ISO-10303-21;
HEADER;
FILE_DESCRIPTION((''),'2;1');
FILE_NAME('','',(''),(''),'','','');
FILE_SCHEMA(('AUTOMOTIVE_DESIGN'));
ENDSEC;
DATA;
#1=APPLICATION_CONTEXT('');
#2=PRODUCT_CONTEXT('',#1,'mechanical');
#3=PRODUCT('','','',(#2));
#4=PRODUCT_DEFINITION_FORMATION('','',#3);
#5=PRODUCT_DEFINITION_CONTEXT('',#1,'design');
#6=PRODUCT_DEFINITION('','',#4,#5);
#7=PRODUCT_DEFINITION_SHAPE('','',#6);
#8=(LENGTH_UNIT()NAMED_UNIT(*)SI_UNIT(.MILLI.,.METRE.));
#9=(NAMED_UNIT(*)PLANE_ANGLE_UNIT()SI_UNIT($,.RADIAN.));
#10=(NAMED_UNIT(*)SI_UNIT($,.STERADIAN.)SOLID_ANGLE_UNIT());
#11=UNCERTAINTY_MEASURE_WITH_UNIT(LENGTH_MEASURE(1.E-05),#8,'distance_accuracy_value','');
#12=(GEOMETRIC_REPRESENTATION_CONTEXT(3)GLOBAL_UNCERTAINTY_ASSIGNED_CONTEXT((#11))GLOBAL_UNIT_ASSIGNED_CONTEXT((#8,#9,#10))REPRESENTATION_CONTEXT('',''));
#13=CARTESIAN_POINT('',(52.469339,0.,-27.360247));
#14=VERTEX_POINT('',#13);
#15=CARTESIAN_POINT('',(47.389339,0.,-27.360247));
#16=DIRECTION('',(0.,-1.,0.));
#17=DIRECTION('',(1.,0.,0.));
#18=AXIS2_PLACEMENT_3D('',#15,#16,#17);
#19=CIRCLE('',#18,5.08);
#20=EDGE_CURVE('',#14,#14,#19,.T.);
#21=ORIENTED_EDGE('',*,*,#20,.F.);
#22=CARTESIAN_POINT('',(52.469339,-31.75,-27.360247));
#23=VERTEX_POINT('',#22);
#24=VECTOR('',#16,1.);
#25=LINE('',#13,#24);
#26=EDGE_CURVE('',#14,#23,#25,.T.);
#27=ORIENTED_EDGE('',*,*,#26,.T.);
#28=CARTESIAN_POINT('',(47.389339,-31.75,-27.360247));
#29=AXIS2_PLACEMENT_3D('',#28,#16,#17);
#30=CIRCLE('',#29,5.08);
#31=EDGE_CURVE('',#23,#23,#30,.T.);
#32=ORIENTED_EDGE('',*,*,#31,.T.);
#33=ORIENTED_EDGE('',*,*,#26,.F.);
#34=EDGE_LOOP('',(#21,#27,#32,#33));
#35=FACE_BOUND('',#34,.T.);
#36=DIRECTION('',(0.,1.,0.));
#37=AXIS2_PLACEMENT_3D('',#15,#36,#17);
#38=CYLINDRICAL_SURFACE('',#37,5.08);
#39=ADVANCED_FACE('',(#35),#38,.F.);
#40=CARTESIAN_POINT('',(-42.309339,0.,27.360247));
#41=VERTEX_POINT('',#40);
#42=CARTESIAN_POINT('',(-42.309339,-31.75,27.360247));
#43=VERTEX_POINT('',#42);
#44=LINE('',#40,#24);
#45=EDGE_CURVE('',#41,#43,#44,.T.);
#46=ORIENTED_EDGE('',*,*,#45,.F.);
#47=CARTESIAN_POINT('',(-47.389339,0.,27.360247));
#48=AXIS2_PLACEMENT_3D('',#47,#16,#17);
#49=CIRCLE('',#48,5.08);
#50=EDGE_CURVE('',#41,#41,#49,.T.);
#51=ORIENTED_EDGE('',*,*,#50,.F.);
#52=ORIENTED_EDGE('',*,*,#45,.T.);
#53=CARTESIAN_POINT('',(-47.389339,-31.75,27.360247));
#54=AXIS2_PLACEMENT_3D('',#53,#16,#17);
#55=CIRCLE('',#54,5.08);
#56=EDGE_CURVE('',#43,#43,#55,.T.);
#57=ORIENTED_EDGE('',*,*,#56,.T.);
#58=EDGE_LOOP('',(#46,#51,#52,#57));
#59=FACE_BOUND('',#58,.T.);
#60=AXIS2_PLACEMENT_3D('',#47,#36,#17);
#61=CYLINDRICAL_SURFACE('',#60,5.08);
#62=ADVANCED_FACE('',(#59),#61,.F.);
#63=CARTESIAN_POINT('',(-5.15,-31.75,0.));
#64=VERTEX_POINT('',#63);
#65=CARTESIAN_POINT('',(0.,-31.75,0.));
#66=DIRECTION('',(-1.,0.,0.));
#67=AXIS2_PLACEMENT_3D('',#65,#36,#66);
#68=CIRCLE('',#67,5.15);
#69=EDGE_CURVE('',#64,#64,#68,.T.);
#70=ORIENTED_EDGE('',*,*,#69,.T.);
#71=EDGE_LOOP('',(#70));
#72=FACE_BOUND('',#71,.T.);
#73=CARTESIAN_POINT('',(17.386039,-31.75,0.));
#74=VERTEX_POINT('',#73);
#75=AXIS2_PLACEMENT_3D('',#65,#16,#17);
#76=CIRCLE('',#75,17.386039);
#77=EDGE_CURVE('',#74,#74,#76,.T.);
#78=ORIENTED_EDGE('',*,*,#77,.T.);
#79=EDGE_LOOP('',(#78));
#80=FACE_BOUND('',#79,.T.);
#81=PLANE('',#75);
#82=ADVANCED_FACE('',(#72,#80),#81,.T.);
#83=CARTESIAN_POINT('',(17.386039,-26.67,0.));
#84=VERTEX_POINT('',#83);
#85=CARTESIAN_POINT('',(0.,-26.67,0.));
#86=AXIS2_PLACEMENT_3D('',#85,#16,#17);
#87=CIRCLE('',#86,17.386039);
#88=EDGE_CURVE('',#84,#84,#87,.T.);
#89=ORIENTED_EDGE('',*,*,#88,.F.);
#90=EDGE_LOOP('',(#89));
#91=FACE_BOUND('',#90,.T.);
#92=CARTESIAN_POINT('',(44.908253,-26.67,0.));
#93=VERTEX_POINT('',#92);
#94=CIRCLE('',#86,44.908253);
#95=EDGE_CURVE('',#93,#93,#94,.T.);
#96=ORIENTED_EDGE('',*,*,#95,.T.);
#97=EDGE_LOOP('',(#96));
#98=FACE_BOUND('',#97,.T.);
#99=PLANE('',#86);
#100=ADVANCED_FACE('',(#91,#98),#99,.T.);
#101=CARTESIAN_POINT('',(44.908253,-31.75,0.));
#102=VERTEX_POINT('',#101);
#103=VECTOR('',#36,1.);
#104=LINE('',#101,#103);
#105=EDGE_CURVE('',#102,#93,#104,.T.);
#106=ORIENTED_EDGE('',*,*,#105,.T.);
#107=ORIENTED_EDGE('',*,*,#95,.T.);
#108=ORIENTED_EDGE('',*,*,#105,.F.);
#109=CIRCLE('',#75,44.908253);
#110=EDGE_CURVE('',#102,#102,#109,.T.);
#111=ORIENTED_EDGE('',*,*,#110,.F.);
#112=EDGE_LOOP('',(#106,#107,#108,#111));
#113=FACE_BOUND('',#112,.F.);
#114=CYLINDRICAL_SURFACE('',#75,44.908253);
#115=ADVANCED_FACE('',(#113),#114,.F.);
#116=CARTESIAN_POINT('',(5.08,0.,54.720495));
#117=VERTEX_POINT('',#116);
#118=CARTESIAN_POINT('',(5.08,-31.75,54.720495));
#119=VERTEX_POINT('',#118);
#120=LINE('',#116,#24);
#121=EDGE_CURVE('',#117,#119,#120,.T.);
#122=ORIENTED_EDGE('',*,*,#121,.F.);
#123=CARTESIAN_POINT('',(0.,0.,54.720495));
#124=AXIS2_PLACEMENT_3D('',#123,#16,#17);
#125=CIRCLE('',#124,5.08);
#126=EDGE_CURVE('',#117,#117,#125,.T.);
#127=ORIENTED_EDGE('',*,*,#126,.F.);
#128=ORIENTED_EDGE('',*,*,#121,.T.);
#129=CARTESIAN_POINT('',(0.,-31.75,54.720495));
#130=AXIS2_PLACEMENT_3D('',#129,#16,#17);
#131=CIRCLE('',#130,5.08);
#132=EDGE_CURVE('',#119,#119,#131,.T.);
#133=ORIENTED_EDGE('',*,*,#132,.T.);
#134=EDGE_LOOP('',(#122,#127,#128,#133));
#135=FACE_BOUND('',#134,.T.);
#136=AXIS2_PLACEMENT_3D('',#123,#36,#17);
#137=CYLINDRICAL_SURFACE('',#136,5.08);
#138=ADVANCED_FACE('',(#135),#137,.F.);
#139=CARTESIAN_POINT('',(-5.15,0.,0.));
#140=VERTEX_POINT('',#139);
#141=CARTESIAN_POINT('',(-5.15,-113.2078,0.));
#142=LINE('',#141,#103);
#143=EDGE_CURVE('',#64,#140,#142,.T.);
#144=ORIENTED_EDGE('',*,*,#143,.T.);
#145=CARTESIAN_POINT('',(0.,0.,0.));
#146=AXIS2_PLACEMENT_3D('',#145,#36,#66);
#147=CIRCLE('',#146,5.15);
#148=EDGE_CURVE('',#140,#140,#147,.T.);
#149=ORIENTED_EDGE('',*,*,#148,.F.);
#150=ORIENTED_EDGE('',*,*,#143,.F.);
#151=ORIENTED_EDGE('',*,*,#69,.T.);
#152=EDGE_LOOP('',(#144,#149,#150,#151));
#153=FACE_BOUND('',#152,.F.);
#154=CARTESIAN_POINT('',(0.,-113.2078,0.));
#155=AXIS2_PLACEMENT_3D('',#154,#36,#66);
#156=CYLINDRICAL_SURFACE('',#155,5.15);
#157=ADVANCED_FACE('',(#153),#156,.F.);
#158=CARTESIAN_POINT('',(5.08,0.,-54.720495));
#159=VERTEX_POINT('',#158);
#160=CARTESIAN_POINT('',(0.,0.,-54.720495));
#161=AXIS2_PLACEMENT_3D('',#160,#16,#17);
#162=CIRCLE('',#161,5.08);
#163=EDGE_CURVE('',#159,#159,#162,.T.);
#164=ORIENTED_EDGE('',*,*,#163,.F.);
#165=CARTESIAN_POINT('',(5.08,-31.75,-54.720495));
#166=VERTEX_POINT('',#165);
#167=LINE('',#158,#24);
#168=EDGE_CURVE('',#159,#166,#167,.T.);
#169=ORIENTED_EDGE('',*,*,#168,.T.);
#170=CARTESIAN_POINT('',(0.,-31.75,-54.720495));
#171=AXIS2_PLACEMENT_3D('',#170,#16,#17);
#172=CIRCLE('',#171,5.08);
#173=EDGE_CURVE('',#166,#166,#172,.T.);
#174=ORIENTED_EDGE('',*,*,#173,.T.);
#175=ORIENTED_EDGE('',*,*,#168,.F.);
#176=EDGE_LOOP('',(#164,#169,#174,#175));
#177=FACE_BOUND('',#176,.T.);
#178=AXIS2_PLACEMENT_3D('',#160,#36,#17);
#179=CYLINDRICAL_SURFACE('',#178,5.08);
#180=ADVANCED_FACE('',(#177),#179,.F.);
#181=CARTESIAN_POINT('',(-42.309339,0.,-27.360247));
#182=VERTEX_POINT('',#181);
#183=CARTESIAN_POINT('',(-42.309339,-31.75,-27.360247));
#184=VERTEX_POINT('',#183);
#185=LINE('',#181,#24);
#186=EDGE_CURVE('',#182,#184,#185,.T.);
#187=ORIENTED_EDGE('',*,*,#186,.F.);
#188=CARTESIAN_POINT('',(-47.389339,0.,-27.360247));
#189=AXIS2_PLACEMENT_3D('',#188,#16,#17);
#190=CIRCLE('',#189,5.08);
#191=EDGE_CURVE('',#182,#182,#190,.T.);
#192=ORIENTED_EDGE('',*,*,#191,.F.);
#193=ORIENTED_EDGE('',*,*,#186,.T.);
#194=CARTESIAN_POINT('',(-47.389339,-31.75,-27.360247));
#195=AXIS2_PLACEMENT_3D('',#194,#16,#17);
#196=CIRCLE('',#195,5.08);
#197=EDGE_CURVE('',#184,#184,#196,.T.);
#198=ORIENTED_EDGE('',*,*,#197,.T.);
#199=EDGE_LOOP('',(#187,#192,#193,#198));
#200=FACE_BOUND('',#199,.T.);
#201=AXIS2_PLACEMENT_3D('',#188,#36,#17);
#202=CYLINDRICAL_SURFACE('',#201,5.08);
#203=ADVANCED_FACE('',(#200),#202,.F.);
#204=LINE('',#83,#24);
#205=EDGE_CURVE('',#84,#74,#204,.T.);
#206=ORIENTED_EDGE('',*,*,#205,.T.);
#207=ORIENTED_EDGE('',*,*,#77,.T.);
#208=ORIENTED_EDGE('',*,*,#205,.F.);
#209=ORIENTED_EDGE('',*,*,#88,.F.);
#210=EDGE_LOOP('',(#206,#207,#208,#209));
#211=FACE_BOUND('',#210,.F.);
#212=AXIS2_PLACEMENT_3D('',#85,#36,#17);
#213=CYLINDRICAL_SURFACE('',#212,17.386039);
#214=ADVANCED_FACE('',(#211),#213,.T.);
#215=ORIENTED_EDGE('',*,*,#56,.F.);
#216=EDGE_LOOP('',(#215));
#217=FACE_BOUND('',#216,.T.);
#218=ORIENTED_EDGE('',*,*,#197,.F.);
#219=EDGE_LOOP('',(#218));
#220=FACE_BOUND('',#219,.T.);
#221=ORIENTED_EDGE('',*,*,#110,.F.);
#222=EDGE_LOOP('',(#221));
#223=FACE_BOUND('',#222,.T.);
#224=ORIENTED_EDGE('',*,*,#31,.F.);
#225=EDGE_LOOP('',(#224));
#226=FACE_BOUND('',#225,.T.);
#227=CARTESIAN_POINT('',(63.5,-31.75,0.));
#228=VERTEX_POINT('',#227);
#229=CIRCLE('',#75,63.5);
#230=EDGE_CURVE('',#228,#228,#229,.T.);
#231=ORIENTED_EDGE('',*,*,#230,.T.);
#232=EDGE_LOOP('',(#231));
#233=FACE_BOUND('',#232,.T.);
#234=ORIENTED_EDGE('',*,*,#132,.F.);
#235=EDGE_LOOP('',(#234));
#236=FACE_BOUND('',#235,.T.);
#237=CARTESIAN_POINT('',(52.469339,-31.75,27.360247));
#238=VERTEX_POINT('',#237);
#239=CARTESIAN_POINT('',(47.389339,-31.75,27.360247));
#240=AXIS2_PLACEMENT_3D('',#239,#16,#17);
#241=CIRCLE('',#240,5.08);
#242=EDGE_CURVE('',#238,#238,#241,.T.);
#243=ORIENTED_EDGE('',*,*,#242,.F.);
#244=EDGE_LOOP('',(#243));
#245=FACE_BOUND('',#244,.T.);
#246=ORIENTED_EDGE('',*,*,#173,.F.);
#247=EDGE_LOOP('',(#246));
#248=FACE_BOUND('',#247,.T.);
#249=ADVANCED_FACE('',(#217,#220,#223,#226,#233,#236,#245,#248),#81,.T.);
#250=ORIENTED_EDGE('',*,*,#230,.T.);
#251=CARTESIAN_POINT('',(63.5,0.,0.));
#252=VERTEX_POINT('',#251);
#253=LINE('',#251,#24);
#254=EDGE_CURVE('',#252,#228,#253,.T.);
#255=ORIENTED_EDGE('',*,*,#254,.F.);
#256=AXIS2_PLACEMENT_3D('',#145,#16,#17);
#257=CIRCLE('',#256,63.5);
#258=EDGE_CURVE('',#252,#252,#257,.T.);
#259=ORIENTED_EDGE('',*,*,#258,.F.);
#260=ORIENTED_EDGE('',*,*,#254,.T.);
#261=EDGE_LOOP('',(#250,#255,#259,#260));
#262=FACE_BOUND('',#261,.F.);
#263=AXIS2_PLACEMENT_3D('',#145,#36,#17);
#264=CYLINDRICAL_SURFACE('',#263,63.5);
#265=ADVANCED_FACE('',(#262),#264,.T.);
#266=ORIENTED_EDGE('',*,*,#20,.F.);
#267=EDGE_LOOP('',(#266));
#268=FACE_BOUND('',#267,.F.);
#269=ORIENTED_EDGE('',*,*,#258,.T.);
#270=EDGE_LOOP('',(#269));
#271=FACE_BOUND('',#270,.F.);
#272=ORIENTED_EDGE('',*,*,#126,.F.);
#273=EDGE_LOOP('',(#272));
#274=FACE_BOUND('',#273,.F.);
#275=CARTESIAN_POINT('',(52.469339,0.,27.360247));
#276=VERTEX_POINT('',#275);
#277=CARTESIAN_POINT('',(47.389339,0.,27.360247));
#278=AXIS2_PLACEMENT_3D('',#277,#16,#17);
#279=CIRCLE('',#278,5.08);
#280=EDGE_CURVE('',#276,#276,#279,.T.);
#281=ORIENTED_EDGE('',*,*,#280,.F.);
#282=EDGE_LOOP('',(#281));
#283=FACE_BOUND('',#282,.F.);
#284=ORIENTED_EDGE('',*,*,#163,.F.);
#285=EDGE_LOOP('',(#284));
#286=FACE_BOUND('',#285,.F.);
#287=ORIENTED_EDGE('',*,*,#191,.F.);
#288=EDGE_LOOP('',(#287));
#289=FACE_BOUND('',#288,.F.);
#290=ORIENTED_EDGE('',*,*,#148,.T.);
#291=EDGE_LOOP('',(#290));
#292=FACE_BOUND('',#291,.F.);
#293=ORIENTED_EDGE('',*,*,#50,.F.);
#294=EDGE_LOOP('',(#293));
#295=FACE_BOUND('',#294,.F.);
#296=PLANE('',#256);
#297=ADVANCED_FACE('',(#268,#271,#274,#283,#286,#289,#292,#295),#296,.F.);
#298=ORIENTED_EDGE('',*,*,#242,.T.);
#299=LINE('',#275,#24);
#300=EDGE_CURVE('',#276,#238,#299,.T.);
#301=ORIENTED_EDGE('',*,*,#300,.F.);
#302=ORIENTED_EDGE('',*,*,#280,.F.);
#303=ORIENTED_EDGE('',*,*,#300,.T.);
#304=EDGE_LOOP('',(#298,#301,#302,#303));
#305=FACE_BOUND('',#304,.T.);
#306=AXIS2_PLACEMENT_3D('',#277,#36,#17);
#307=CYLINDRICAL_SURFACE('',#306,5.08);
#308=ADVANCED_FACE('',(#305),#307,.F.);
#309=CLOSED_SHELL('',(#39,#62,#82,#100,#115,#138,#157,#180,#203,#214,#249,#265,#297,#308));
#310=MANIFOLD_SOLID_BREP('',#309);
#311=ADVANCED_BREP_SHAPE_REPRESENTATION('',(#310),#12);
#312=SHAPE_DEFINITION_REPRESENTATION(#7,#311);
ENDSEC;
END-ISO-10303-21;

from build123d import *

# Parameters (mm, degrees)
F0_R     = 63.5
F0_R_2   = 5.08
F1_DEPTH = 31.75
F2_R     = 44.9082532623
F3_DEPTH = 5.08
F4_R     = 17.386039325
F5_DEPTH = 5.08
F7_D     = 10.3
F7_DEPTH = 81.4578
F7_TIP   = 3.094432188


with BuildPart() as f1:
    # F0 (on Front) → F1 (new body)
    with BuildSketch(Plane.XZ):
        Circle(F0_R)
        with Locations((-47.3893386877, -27.3602474481)):
            Circle(F0_R_2, mode=Mode.SUBTRACT)
        with Locations((0, -54.7204948962)):
            Circle(F0_R_2, mode=Mode.SUBTRACT)
        with Locations((47.3893386877, -27.3602474481)):
            Circle(F0_R_2, mode=Mode.SUBTRACT)
        with Locations((-47.3893386877, 27.3602474481)):
            Circle(F0_R_2, mode=Mode.SUBTRACT)
        with Locations((47.3893386877, 27.3602474481)):
            Circle(F0_R_2, mode=Mode.SUBTRACT)
        with Locations((0, 54.7204948962)):
            Circle(F0_R_2, mode=Mode.SUBTRACT)
    extrude(amount=F1_DEPTH)

    # F2 (on face) → F3 (cut)
    with BuildSketch(Plane.XZ.offset(31.75)):
        Circle(F2_R)
    extrude(amount=-F3_DEPTH, mode=Mode.SUBTRACT)

    # F4 (on face) → F5 (join)
    with BuildSketch(Plane.XZ.offset(26.67)):
        Circle(F4_R)
    extrude(amount=F5_DEPTH)

    # F7
    with Locations(Plane.XZ.offset(31.75)):
        with Locations((0, 0)):
            Hole(F7_D / 2, depth=F7_DEPTH)
            with Locations((0, 0, -(F7_DEPTH + F7_TIP / 2))):  # 118° drill point
                Cone(0, F7_D / 2, F7_TIP, mode=Mode.SUBTRACT)


solid = f1.part
